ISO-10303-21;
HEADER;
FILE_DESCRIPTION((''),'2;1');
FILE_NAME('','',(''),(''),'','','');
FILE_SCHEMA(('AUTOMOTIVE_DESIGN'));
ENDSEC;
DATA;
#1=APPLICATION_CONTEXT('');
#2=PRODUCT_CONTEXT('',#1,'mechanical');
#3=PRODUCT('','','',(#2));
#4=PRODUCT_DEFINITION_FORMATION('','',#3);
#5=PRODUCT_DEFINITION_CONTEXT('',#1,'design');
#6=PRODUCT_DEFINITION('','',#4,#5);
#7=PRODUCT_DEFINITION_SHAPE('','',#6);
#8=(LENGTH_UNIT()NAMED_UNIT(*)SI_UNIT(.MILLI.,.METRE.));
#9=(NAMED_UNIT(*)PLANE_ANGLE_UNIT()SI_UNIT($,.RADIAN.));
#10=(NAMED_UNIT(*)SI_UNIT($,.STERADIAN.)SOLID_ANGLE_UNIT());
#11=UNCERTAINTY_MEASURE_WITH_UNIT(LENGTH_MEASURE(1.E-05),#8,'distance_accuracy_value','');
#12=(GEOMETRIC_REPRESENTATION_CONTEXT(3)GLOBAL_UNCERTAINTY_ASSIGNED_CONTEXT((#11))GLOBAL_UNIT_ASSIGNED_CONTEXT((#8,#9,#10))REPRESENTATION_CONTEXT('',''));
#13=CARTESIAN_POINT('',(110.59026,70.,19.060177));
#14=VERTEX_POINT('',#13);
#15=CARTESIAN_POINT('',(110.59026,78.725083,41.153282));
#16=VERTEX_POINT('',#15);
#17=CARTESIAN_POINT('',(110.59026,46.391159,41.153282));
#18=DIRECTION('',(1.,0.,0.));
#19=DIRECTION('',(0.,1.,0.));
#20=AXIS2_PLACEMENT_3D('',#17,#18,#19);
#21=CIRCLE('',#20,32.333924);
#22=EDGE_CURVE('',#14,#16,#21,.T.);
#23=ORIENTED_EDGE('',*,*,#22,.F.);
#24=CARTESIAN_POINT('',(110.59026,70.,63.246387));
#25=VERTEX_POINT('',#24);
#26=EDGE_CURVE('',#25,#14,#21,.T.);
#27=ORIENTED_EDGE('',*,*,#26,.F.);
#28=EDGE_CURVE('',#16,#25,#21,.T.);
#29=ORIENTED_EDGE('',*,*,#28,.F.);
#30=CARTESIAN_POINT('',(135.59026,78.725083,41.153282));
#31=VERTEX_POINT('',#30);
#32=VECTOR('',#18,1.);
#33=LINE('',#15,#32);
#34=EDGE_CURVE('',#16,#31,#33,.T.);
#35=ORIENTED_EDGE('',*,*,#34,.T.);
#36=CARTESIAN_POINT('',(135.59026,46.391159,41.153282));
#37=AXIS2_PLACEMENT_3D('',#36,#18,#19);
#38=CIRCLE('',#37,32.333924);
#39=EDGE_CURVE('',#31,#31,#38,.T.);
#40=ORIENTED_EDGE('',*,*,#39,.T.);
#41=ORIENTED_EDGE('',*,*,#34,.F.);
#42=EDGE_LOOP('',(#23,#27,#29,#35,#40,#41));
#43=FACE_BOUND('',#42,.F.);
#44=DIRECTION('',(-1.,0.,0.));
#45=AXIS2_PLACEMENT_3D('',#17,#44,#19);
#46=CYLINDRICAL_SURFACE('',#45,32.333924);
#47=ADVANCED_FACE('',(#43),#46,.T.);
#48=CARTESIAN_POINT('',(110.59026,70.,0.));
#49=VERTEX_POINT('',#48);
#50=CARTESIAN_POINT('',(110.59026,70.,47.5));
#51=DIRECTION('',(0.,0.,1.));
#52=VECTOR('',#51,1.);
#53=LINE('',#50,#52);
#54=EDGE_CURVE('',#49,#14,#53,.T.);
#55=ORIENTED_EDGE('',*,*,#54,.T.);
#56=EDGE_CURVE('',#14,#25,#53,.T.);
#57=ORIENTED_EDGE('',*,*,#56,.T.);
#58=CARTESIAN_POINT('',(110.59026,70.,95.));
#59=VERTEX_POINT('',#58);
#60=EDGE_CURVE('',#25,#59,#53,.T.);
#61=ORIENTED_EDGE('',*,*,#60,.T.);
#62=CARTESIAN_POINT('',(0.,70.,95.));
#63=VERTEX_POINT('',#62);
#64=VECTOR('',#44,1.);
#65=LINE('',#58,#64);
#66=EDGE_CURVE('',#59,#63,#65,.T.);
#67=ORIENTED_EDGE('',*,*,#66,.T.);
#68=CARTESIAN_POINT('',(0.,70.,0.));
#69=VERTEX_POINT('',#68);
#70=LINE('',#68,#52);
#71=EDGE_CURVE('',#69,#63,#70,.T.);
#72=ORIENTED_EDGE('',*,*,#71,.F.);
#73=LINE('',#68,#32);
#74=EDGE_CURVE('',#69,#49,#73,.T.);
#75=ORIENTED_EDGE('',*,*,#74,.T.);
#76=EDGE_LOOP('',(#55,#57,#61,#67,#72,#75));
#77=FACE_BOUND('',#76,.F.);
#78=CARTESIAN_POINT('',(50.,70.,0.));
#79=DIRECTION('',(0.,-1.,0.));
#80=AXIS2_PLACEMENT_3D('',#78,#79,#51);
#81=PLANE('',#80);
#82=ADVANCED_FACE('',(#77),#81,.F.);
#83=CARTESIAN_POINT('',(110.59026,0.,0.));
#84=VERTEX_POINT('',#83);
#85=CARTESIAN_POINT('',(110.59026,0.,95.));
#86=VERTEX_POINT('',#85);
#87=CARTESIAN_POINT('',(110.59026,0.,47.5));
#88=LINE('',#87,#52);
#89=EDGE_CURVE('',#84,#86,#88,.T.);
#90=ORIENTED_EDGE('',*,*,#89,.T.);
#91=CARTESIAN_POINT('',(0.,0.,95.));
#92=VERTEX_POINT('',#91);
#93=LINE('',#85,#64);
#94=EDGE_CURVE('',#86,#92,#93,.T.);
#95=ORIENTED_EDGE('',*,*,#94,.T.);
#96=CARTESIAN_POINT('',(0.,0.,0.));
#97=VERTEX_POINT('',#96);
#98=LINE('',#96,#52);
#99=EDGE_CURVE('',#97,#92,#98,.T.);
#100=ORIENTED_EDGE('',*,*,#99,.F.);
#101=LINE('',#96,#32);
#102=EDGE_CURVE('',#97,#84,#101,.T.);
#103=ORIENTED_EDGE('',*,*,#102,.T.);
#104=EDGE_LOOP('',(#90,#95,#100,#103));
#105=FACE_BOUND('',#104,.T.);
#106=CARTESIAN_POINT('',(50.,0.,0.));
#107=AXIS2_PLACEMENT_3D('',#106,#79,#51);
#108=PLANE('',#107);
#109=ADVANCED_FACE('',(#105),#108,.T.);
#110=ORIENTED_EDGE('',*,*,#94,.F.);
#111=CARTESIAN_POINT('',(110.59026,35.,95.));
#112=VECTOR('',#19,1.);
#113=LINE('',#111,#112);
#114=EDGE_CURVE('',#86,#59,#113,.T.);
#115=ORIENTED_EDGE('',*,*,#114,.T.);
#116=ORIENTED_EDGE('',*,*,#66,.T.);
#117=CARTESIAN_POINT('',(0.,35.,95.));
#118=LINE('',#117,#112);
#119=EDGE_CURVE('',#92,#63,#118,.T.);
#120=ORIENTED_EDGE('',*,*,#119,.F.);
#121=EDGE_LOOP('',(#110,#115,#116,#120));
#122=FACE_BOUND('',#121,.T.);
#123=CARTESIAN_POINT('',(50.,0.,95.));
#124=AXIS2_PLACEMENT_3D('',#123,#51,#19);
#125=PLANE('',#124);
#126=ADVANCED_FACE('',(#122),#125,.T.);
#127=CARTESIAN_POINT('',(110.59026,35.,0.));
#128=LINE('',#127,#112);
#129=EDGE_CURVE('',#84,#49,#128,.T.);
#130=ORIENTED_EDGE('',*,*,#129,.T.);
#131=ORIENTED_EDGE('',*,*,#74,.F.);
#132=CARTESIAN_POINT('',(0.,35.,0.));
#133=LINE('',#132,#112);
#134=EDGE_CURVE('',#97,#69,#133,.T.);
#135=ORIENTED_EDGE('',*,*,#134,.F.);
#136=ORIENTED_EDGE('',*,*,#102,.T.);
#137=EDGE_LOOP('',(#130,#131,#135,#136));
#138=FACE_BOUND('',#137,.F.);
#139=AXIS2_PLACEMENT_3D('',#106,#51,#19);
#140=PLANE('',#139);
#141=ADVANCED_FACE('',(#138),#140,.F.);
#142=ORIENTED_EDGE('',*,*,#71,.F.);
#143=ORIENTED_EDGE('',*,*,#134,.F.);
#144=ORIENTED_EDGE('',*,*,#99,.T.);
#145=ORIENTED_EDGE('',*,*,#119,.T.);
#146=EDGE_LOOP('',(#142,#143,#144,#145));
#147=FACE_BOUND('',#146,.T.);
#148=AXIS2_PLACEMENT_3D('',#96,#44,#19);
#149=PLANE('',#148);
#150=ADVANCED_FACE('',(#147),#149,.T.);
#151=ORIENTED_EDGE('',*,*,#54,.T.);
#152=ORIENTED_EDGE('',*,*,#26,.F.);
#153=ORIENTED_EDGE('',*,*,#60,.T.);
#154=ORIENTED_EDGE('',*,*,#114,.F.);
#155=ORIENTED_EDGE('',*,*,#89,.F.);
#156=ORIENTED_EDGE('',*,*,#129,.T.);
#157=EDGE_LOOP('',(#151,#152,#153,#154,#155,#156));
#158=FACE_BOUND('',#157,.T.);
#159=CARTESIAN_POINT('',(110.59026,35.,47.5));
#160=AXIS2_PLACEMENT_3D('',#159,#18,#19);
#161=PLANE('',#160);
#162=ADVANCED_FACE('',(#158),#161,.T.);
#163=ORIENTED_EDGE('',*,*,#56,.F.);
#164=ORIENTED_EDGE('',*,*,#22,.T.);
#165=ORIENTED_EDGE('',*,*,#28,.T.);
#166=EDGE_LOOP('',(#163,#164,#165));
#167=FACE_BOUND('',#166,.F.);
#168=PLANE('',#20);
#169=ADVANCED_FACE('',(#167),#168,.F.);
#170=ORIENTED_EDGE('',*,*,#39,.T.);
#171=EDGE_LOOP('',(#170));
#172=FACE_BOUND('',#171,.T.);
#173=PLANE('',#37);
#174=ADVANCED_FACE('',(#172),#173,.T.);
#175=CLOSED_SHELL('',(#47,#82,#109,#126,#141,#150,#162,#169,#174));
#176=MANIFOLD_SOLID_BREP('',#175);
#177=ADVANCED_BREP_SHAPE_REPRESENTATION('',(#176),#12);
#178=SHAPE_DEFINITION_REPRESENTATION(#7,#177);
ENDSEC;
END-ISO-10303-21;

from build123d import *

# Parameters (mm, degrees)
F0_W      = 50
F0_H      = 70
F1_DEPTH  = 95
F1_FACE_W = 70
F1_FACE_H = 95
F2_DEPTH  = 60.59026
F3_R      = 32.333924
F4_DEPTH  = 25
F5_R      = 16.327399
F6_DEPTH  = 10


with BuildPart() as f1:
    # F0 (on Top) → F1 (new body)
    with BuildSketch(Plane.XY):
        with Locations((25, 35)):
            Rectangle(F0_W, F0_H)
    extrude(amount=F1_DEPTH)

    # F1_face (on face) → F2 (join)
    with BuildSketch(Plane(origin=(50, 35, 47.5), x_dir=(0, 1, 0), z_dir=(1, 0, 0))):
        Rectangle(F1_FACE_W, F1_FACE_H)
    extrude(amount=F2_DEPTH)

    # F3 (on face) → F4 (join)
    with BuildSketch(Plane.YZ.offset(110.59026)):
        with Locations((46.391159, 41.153282)):
            Circle(F3_R)
    extrude(amount=F4_DEPTH)

    # F5 (on face) → F6 (join)
    with BuildSketch(Plane.YZ.offset(135.59026)):
        with Locations((46.391159, 41.153282)):
            Circle(F5_R)
    extrude(amount=-F6_DEPTH)


solid = f1.part
